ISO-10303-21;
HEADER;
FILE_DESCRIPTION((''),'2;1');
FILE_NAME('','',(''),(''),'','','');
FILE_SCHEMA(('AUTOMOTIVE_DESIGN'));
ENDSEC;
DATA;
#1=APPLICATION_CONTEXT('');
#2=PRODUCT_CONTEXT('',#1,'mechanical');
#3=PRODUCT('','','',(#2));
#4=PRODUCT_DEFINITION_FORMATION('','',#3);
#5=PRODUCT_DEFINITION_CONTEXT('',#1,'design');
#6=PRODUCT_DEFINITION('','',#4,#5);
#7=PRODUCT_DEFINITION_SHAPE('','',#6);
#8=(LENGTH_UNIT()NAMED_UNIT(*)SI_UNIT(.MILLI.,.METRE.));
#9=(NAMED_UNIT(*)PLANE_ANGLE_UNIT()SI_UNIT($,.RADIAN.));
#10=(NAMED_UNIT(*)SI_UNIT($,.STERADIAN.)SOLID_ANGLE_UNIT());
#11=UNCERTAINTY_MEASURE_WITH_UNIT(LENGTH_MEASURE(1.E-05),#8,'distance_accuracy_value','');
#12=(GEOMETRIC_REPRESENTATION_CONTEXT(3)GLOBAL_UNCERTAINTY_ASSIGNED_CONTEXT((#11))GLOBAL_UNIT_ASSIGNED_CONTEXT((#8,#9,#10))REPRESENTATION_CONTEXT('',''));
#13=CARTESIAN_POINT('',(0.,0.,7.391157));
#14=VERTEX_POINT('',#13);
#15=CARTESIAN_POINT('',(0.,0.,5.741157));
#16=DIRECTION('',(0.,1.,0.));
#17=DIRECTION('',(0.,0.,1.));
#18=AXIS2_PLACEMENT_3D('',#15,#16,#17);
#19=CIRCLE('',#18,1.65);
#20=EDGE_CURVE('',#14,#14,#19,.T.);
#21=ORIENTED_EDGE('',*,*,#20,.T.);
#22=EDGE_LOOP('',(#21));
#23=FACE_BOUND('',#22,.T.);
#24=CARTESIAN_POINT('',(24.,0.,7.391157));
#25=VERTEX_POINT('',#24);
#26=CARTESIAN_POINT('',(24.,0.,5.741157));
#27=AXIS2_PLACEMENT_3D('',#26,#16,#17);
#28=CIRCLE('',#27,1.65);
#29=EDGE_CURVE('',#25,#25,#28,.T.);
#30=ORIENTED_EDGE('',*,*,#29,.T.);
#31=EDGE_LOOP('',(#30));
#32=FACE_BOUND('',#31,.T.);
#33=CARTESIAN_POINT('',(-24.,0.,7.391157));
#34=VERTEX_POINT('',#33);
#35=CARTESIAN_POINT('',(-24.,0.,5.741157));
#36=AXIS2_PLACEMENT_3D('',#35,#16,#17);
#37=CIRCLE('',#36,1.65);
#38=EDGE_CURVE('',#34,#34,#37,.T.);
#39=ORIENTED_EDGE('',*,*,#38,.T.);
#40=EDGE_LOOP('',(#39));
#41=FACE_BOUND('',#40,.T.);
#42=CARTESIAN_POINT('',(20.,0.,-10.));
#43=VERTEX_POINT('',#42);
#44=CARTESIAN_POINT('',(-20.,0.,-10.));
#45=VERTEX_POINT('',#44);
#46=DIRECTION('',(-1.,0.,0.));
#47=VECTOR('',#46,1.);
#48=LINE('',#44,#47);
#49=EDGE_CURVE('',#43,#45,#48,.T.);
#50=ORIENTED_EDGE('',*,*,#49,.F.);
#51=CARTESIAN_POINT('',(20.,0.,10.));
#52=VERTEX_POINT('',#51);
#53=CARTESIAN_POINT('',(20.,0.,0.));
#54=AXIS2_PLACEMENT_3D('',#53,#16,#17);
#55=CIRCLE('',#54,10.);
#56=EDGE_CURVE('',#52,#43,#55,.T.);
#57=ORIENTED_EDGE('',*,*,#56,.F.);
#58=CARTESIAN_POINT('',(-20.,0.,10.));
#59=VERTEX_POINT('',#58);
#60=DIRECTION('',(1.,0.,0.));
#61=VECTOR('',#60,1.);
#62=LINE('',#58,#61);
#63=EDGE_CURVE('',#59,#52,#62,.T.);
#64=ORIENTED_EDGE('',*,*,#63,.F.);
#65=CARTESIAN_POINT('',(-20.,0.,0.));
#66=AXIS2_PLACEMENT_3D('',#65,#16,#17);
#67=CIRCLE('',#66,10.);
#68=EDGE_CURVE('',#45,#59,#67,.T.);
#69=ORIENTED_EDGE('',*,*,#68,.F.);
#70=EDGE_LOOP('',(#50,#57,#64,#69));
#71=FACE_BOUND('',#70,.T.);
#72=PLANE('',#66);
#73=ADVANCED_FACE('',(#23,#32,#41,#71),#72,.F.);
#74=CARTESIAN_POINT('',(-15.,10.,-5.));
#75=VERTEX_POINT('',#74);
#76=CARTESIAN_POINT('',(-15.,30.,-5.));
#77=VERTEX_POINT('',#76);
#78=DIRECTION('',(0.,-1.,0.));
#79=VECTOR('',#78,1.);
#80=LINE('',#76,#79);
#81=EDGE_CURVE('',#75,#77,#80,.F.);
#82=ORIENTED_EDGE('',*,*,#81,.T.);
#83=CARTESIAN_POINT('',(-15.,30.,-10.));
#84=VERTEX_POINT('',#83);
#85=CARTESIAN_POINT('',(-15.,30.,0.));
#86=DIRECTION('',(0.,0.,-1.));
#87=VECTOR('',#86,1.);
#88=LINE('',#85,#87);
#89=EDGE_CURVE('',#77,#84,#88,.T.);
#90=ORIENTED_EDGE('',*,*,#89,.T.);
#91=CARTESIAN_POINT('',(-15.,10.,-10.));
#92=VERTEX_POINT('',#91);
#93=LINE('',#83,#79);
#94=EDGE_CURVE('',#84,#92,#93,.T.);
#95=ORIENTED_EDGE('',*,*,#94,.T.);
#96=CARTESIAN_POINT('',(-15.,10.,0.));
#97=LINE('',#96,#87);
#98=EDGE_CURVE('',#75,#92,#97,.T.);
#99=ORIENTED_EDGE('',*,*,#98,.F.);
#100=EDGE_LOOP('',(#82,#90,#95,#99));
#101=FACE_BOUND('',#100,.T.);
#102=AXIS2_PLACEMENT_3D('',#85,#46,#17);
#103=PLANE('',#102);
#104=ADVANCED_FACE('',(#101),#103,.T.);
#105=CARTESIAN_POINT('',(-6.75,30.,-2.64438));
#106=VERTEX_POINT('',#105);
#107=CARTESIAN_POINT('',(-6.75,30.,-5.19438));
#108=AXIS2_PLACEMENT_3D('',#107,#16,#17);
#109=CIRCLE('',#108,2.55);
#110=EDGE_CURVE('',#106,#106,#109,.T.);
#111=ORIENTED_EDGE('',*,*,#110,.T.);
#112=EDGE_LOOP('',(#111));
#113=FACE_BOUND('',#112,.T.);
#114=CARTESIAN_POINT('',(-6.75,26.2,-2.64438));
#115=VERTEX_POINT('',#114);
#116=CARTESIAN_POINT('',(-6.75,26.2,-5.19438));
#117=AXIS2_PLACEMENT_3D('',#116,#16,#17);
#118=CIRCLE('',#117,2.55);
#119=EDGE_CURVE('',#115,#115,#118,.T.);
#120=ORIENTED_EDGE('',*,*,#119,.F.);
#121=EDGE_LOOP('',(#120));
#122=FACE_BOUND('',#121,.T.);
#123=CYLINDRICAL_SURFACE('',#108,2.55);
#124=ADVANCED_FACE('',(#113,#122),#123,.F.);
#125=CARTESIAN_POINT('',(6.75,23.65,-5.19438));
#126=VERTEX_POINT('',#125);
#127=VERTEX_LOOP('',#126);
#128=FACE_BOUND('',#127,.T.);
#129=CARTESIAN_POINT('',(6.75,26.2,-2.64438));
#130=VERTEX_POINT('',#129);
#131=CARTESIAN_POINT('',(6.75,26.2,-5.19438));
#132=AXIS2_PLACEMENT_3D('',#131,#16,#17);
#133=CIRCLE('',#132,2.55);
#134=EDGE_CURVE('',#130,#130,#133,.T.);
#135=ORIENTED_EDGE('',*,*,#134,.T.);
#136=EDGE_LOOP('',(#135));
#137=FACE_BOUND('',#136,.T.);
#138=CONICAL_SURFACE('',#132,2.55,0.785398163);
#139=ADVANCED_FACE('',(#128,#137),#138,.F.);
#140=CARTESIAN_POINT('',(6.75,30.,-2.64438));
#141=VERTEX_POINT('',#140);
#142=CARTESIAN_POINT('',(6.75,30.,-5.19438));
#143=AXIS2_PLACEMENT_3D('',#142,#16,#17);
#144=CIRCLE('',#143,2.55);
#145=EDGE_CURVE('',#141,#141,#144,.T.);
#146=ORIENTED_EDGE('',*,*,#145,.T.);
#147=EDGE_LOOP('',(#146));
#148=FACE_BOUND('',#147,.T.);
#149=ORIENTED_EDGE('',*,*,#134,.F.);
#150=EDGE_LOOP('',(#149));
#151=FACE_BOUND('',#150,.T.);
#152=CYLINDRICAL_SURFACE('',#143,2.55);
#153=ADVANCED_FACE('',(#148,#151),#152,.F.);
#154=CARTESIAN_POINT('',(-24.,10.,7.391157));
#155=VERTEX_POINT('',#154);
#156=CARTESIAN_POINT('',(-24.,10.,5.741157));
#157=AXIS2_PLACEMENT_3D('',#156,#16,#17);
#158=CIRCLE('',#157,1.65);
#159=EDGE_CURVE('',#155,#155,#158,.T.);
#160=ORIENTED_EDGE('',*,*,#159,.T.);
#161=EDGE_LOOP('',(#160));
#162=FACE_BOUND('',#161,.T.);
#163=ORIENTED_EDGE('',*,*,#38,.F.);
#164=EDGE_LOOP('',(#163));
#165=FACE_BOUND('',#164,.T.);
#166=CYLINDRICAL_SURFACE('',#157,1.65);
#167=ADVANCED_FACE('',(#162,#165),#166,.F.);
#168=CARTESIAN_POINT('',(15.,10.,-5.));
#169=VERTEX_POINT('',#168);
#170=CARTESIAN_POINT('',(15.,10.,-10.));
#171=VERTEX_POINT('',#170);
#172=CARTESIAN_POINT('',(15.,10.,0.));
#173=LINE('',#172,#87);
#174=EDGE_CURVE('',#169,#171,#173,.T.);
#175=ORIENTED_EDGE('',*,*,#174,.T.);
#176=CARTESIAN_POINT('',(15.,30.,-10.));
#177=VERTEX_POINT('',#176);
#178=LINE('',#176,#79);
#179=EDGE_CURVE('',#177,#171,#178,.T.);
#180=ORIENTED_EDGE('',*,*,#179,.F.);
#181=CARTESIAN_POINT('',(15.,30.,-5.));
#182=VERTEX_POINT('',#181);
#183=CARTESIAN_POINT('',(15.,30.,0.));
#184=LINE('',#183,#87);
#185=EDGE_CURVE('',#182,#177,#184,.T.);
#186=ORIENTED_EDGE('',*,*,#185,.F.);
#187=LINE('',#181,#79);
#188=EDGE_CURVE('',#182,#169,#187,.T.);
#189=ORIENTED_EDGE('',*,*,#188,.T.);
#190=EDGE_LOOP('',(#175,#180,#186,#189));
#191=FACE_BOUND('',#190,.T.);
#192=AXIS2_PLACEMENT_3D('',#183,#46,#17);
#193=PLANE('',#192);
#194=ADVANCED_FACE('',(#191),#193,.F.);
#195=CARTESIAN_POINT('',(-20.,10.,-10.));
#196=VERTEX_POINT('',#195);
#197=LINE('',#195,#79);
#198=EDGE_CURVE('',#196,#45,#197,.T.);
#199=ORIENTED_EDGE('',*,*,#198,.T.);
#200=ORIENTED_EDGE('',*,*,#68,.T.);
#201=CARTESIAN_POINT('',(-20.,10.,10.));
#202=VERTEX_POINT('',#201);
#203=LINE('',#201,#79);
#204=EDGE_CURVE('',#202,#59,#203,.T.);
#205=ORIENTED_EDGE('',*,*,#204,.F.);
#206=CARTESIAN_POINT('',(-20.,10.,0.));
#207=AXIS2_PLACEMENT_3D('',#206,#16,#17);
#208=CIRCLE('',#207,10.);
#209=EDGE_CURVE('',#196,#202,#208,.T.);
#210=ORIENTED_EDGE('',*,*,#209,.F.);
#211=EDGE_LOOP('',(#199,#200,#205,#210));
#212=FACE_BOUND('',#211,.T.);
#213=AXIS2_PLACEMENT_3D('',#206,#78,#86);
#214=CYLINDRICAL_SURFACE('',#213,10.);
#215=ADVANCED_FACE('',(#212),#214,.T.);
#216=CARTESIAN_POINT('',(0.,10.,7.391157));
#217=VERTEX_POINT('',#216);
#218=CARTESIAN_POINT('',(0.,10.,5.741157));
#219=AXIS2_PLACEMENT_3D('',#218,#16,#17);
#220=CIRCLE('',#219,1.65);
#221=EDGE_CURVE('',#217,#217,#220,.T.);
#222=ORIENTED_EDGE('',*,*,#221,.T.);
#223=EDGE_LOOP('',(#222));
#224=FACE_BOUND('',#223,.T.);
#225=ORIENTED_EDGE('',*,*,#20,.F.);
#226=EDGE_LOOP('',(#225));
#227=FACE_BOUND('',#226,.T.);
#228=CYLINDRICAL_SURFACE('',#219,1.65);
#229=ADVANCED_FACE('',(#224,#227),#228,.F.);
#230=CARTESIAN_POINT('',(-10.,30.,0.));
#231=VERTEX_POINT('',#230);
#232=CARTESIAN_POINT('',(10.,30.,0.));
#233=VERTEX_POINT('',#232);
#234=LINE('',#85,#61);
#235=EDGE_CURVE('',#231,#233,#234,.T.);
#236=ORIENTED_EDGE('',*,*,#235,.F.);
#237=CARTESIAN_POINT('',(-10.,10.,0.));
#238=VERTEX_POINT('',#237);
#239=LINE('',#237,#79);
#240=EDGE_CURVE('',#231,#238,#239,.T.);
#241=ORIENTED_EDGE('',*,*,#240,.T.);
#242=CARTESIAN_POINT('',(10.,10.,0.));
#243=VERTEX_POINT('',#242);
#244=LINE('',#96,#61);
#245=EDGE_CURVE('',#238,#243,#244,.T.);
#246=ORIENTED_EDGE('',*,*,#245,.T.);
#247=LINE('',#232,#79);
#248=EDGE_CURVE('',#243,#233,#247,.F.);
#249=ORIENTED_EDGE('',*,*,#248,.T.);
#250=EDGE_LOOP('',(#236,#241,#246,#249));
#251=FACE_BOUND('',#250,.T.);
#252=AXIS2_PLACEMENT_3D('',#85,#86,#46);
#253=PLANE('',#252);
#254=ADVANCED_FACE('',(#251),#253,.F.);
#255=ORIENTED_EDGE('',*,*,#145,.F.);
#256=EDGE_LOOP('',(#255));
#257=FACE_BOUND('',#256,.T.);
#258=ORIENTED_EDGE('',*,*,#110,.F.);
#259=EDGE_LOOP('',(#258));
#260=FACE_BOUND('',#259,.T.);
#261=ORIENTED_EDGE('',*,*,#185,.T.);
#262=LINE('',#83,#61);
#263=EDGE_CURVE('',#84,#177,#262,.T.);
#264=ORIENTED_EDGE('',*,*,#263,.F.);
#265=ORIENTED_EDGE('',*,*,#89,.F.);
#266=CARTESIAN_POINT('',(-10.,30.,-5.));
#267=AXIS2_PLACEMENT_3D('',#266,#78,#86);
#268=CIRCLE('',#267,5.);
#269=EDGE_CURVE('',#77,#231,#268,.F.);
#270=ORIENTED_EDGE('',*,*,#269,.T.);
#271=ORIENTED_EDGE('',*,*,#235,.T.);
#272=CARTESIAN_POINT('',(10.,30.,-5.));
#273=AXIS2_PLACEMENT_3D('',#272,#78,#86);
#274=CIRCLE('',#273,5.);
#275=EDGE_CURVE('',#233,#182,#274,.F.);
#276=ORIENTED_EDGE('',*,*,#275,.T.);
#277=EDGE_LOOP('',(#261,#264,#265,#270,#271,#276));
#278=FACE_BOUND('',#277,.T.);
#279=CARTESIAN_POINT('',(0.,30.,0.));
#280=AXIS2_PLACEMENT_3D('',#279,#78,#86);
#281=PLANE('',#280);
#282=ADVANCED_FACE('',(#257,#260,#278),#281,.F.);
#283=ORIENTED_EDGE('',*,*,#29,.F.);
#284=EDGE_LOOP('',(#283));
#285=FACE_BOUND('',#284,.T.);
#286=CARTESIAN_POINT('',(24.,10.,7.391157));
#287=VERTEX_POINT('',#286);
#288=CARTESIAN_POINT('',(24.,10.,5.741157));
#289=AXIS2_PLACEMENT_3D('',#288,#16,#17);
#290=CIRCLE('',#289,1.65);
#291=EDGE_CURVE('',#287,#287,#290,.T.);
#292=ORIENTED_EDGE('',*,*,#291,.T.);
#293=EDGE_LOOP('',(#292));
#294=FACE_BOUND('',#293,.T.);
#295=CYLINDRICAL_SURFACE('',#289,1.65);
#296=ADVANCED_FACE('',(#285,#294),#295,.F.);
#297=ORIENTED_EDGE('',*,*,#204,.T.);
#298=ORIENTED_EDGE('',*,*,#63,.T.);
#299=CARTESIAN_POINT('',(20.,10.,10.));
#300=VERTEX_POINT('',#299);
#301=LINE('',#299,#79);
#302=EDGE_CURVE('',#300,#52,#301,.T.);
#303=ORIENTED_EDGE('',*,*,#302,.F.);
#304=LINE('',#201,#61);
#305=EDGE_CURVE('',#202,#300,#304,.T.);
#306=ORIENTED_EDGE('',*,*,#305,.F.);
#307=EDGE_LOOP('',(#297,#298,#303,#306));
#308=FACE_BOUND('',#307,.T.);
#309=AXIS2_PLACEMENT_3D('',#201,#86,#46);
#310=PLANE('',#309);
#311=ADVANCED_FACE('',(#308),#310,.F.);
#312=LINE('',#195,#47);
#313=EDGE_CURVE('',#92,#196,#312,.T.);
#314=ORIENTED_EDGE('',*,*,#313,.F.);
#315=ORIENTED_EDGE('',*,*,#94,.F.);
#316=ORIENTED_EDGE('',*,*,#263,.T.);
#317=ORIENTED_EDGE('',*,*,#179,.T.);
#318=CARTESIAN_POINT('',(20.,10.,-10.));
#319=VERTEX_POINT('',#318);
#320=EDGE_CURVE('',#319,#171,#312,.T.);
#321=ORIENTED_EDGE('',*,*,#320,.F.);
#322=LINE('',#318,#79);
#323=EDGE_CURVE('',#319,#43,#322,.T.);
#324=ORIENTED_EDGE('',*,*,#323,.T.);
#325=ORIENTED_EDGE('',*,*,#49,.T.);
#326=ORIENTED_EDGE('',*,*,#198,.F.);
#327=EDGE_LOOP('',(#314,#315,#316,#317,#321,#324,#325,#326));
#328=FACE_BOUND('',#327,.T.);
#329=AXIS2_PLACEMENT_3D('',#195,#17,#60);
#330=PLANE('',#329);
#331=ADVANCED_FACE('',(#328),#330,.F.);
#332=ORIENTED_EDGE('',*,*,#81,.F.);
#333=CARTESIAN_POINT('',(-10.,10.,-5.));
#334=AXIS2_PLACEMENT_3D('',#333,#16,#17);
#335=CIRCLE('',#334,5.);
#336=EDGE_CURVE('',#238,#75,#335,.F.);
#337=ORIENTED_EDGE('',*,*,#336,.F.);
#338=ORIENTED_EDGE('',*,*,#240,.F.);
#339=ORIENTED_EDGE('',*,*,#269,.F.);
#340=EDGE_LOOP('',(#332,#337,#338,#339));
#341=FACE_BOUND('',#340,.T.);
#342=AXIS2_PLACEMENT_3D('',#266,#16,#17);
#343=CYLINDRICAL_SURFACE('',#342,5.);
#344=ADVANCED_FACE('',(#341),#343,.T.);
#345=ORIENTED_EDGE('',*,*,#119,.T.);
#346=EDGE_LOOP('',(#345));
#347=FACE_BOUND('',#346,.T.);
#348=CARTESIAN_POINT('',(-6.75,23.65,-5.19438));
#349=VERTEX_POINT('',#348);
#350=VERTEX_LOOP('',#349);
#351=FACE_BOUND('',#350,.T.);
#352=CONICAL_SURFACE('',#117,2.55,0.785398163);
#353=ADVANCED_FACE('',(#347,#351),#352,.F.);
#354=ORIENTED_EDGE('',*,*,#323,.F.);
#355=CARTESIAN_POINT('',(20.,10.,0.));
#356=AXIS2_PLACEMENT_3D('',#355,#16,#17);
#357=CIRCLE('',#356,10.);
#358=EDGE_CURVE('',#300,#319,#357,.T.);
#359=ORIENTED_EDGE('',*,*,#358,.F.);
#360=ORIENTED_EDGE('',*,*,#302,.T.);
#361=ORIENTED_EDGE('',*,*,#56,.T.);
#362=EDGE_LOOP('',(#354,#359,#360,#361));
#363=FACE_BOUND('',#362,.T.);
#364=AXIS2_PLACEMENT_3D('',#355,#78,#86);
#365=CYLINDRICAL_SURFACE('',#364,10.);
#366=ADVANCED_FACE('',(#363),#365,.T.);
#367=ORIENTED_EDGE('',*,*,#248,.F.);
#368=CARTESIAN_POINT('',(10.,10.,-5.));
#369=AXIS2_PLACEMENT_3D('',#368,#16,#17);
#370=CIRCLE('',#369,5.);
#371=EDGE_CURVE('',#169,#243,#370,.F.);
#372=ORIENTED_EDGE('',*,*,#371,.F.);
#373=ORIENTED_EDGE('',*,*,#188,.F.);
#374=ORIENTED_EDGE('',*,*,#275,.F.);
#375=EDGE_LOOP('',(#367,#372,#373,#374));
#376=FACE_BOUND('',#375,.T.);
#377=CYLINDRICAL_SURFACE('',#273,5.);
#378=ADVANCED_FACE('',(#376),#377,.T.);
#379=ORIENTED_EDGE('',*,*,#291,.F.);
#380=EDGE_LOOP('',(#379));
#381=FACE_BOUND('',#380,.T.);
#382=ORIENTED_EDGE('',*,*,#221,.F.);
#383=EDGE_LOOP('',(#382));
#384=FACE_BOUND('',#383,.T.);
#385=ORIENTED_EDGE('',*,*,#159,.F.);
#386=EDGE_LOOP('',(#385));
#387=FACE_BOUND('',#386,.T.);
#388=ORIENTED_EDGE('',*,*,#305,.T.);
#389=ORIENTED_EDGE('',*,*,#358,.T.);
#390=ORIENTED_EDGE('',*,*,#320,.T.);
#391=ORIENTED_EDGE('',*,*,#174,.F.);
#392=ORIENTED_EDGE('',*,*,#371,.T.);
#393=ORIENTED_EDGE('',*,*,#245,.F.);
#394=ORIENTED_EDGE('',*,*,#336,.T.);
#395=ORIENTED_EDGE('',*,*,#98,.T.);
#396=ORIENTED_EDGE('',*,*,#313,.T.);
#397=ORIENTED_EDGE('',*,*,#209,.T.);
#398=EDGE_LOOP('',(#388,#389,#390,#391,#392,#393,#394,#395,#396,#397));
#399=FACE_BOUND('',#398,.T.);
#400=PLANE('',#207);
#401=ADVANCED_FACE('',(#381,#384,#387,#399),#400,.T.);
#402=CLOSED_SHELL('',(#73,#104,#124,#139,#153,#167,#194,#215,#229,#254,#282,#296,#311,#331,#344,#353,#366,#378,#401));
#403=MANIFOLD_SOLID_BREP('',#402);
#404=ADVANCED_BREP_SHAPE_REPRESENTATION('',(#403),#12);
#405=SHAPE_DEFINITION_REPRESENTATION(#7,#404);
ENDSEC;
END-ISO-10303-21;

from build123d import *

# Parameters (mm, degrees)
BOSS_EXTRUDE1_DEPTH         = 10
TAP_DRILL_FOR_M4X0_7_TAP1_D = 3.3
SKETCH8_W                   = 30
SKETCH8_H                   = 10
BOSS_EXTRUDE2_DEPTH         = 20
FILLET1_R                   = 5
F_1_0MM_DOWEL_HOLE1_D       = 5.1
F_1_0MM_DOWEL_HOLE1_DEPTH   = 3.8
F_1_0MM_DOWEL_HOLE1_TIP     = 2.55


with BuildPart() as part:
    # Sketch3 → Boss-Extrude1 (new body)
    with BuildSketch(Plane(origin=(0, 0, 0), x_dir=(1, 0, 0), z_dir=(0, 1, 0))):
        with BuildLine():
            Line((-20, 10), (20, 10))
            ThreePointArc((20, 10), (30, 0), (20, -10))
            Line((20, -10), (-20, -10))
            ThreePointArc((-20, -10), (-30, 0), (-20, 10))
        make_face()
    extrude(amount=BOSS_EXTRUDE1_DEPTH)

    # Tap Drill for M4x0.7 Tap1 (through all)
    with Locations(Plane(origin=(0, 10, 0), x_dir=(1, 0, 0), z_dir=(0, 1, 0))):
        with Locations((0, -5.741156808), (24, -5.741156808), (-24, -5.741156808)):
            Hole(TAP_DRILL_FOR_M4X0_7_TAP1_D / 2)

    # Sketch8 → Boss-Extrude2 (add)
    with BuildSketch(Plane(origin=(0, 10, 0), x_dir=(1, 0, 0), z_dir=(0, 1, 0))):
        with Locations((0, 5)):
            Rectangle(SKETCH8_W, SKETCH8_H)
    extrude(amount=BOSS_EXTRUDE2_DEPTH)

    # Fillet1
    fillet1_edges = [part.edges().sort_by_distance(p)[0] for p in [
        (-15, 20, 0),
        (15, 20, 0),
    ]]
    fillet(fillet1_edges, radius=FILLET1_R)

    # Ø1.0mm Dowel Hole1
    with Locations(Plane(origin=(0, 30, 0), x_dir=(1, 0, 0), z_dir=(0, 1, 0))):
        with Locations((-6.75, 5.194379969), (6.75, 5.194379969)):
            Hole(F_1_0MM_DOWEL_HOLE1_D / 2, depth=F_1_0MM_DOWEL_HOLE1_DEPTH)
            with Locations((0, 0, -(F_1_0MM_DOWEL_HOLE1_DEPTH + F_1_0MM_DOWEL_HOLE1_TIP / 2))):  # 90° drill point
                Cone(0, F_1_0MM_DOWEL_HOLE1_D / 2, F_1_0MM_DOWEL_HOLE1_TIP, mode=Mode.SUBTRACT)


solid = part.part
